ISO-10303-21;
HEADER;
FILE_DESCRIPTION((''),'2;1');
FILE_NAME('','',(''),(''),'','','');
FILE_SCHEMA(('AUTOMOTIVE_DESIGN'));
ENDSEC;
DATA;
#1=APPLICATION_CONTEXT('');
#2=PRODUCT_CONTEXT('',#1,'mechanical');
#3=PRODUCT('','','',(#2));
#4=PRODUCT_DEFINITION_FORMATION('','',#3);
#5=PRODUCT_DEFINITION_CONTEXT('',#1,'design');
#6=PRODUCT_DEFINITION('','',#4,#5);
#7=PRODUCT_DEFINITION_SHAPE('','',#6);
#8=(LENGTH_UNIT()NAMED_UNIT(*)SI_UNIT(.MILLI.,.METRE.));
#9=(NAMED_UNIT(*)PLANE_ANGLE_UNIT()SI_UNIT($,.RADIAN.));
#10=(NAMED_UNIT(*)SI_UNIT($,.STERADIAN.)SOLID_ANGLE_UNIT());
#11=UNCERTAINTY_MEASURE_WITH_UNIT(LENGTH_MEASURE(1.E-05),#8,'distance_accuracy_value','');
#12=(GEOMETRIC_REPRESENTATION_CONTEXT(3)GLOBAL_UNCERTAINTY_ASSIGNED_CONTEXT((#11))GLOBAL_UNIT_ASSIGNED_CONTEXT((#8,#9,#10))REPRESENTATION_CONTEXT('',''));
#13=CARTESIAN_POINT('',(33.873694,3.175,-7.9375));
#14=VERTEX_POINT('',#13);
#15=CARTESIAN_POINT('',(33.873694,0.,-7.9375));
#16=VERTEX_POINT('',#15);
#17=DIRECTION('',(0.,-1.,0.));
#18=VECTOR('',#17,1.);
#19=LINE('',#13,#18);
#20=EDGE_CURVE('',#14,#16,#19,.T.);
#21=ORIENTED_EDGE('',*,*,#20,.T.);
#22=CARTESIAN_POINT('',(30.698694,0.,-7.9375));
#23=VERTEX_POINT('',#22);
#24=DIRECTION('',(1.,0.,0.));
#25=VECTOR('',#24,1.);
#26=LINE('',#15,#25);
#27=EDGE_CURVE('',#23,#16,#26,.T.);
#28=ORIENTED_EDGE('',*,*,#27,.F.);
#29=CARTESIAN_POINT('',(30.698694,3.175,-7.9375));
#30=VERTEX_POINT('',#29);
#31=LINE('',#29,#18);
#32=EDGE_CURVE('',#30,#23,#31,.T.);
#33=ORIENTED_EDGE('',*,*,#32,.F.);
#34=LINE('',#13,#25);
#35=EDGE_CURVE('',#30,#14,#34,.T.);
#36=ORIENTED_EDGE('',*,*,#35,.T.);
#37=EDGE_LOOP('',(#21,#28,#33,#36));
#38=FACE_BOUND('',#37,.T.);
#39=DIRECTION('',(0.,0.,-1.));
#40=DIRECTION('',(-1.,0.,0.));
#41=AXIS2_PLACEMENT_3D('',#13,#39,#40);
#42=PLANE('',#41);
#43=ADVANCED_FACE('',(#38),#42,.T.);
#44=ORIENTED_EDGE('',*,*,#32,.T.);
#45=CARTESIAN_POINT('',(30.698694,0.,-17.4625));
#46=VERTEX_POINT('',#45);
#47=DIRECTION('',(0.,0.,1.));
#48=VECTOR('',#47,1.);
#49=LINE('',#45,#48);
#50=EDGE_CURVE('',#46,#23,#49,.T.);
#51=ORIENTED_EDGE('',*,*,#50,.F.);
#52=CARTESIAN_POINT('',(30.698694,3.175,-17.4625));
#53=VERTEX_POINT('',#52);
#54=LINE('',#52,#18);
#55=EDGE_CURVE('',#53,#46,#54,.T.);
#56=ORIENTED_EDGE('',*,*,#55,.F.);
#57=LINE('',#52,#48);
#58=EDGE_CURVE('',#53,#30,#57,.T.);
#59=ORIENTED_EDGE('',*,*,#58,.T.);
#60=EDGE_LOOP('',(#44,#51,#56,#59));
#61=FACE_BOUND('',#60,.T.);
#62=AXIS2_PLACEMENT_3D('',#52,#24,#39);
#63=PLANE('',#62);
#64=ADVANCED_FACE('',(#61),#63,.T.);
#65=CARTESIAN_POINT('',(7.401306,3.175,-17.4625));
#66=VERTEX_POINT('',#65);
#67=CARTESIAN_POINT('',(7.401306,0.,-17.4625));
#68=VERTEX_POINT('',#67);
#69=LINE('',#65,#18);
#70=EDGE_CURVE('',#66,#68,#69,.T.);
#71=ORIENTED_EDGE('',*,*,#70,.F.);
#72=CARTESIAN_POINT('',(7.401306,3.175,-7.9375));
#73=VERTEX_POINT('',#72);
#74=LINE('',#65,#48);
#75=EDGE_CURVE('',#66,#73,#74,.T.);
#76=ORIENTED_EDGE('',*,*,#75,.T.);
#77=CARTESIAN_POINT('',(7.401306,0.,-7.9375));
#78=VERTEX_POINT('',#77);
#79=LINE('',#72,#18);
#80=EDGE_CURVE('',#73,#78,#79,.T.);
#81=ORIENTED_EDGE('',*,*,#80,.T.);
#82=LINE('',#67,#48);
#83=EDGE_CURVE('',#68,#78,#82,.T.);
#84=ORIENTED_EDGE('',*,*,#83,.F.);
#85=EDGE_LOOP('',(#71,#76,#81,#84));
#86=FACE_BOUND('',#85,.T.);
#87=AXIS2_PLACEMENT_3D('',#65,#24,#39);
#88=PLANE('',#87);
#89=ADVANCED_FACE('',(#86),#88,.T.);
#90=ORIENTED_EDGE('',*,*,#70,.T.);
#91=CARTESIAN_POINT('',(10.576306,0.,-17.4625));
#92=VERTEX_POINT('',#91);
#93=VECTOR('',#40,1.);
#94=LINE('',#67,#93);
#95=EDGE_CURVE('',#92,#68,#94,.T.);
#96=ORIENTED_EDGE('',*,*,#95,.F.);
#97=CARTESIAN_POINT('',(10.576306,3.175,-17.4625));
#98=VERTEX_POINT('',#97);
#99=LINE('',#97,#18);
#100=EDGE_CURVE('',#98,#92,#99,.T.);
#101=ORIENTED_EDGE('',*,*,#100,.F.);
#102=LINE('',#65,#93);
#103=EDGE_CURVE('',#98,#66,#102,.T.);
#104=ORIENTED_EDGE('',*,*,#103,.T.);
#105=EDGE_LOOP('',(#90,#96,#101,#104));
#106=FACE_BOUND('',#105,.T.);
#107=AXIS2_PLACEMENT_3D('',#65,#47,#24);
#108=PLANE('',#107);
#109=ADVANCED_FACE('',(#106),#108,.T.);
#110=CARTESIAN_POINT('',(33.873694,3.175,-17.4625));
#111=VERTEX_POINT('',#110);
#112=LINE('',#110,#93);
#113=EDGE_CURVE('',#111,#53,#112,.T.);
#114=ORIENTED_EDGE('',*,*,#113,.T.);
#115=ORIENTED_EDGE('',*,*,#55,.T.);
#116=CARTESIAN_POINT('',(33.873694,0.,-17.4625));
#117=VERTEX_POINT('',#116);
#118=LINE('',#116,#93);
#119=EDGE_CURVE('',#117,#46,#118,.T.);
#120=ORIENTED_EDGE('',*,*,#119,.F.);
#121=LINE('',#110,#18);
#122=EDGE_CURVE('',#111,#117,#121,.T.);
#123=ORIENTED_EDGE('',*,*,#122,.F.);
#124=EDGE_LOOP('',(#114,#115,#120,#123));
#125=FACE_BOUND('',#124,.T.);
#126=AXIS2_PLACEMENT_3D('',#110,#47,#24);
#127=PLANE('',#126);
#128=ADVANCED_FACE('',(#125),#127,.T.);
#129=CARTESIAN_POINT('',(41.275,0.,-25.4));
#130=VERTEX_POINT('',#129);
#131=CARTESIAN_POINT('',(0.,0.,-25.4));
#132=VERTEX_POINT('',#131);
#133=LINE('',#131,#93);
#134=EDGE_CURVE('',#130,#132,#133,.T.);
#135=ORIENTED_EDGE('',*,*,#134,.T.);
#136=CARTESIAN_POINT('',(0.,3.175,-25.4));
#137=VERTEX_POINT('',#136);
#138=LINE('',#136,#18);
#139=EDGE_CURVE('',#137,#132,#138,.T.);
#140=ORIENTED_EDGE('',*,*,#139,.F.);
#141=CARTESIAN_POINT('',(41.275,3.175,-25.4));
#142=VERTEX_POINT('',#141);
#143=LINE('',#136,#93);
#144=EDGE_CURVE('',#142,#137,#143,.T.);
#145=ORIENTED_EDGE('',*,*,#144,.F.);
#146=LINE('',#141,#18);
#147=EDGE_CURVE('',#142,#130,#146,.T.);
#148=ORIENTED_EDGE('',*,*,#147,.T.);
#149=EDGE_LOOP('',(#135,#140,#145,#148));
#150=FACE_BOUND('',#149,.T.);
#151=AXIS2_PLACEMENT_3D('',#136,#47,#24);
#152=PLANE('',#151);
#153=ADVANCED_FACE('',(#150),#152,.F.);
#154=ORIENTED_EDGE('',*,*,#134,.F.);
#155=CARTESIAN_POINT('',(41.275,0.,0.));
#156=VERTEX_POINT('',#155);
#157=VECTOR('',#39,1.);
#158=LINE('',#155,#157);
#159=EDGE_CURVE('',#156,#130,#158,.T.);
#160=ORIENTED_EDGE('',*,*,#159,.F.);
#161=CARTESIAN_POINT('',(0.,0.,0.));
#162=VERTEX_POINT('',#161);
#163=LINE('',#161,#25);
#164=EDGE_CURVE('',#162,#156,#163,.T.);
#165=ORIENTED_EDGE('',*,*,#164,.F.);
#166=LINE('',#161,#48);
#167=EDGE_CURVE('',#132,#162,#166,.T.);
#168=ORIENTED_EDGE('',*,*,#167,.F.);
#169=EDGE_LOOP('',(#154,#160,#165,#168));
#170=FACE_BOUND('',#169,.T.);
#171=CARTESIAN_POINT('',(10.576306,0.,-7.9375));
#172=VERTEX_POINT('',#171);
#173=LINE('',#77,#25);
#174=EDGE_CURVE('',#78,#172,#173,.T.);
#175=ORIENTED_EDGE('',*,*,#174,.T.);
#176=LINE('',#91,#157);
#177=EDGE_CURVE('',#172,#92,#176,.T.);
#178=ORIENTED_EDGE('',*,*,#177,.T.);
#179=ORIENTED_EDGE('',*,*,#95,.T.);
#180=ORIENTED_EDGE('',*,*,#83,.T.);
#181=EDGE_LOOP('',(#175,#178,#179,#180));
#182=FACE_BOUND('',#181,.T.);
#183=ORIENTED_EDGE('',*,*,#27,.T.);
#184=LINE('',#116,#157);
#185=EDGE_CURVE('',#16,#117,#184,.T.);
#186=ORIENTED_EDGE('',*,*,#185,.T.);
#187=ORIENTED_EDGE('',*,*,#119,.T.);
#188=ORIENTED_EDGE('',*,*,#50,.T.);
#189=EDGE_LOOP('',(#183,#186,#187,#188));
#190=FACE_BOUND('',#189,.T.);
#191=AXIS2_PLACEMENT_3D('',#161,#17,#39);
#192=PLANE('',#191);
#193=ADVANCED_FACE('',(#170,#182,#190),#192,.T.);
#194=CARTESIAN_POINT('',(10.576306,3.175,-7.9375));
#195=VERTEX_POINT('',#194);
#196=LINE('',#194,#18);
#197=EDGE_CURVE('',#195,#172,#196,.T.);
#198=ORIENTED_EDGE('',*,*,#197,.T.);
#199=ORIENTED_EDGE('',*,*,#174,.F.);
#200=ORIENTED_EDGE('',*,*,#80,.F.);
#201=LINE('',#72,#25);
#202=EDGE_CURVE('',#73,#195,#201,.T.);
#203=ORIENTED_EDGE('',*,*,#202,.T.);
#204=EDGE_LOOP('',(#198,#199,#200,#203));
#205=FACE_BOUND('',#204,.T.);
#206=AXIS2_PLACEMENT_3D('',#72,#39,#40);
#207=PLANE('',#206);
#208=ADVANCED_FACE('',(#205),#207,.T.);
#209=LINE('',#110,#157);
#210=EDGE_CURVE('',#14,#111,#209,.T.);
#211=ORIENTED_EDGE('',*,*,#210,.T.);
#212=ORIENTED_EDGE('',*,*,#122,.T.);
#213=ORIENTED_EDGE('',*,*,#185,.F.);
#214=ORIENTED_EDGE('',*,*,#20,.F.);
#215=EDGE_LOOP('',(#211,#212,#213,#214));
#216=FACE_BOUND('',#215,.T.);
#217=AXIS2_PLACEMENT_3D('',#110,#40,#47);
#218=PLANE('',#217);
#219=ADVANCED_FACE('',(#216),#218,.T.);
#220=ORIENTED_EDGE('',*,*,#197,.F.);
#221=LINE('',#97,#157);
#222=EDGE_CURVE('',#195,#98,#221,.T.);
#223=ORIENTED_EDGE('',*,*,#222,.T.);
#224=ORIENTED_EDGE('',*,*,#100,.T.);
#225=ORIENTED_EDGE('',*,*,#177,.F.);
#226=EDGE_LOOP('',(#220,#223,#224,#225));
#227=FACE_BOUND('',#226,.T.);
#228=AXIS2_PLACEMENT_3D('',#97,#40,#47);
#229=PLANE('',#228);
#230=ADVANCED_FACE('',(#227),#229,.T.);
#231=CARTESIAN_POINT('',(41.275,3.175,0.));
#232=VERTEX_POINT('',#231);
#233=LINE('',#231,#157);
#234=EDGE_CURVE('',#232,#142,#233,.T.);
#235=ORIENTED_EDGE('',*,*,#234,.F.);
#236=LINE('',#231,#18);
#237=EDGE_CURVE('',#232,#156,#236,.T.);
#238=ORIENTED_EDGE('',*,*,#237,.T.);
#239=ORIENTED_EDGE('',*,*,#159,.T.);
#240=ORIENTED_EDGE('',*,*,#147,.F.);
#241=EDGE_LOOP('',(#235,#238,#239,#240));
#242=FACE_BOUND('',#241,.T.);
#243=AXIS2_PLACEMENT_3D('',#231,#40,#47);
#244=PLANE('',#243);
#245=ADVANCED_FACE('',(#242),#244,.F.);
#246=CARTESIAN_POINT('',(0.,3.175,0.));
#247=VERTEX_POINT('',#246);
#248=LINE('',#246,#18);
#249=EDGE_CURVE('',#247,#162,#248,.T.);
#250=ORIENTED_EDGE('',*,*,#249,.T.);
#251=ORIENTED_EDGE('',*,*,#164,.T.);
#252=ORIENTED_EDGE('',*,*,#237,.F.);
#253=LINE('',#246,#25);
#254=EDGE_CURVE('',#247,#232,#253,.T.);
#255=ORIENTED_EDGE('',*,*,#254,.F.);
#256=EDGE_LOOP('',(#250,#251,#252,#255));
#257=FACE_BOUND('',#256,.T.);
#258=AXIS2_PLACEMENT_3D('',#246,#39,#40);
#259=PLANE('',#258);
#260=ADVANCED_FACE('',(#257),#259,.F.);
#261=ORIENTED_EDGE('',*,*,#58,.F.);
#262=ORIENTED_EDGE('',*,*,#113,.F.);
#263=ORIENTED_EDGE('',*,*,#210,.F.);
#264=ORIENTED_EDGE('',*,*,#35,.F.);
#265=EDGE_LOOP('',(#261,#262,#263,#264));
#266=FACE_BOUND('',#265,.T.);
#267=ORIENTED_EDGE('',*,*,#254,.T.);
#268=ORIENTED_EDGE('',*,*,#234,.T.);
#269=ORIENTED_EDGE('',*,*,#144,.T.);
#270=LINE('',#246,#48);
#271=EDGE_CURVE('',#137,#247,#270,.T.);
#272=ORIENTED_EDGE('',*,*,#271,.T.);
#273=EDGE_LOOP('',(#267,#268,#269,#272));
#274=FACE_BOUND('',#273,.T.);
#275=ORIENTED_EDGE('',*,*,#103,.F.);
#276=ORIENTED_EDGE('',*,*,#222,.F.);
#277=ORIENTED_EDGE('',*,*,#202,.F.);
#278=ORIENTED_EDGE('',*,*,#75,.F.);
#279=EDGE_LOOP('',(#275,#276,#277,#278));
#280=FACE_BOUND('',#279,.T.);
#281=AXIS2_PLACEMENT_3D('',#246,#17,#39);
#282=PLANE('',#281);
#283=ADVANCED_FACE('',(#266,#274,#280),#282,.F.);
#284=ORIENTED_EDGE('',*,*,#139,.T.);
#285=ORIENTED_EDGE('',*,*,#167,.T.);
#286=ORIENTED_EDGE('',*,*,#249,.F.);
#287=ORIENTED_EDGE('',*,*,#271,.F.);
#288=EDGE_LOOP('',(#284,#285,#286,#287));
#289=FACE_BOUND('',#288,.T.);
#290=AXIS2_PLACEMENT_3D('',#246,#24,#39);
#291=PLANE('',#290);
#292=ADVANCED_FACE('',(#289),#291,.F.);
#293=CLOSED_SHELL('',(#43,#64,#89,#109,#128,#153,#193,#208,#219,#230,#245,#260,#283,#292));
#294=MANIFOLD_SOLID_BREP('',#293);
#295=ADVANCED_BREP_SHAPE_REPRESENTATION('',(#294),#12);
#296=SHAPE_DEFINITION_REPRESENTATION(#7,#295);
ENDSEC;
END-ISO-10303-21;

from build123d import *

# Parameters (mm, degrees)
SKETCH1_W           = 41.275
SKETCH1_H           = 25.4
SKETCH1_W_2         = 3.175
SKETCH1_H_2         = 9.525
BOSS_EXTRUDE1_DEPTH = 3.175


with BuildPart() as part:
    # Sketch1 → Boss-Extrude1 (new body)
    with BuildSketch(Plane(origin=(0, 0, 0), x_dir=(1, 0, 0), z_dir=(0, 1, 0))):
        with Locations((20.6375, 12.7)):
            Rectangle(SKETCH1_W, SKETCH1_H)
        with Locations((8.988805871, 12.7)):
            Rectangle(SKETCH1_W_2, SKETCH1_H_2, mode=Mode.SUBTRACT)
        with Locations((32.286194129, 12.7)):
            Rectangle(SKETCH1_W_2, SKETCH1_H_2, mode=Mode.SUBTRACT)
    extrude(amount=BOSS_EXTRUDE1_DEPTH)


solid = part.part
